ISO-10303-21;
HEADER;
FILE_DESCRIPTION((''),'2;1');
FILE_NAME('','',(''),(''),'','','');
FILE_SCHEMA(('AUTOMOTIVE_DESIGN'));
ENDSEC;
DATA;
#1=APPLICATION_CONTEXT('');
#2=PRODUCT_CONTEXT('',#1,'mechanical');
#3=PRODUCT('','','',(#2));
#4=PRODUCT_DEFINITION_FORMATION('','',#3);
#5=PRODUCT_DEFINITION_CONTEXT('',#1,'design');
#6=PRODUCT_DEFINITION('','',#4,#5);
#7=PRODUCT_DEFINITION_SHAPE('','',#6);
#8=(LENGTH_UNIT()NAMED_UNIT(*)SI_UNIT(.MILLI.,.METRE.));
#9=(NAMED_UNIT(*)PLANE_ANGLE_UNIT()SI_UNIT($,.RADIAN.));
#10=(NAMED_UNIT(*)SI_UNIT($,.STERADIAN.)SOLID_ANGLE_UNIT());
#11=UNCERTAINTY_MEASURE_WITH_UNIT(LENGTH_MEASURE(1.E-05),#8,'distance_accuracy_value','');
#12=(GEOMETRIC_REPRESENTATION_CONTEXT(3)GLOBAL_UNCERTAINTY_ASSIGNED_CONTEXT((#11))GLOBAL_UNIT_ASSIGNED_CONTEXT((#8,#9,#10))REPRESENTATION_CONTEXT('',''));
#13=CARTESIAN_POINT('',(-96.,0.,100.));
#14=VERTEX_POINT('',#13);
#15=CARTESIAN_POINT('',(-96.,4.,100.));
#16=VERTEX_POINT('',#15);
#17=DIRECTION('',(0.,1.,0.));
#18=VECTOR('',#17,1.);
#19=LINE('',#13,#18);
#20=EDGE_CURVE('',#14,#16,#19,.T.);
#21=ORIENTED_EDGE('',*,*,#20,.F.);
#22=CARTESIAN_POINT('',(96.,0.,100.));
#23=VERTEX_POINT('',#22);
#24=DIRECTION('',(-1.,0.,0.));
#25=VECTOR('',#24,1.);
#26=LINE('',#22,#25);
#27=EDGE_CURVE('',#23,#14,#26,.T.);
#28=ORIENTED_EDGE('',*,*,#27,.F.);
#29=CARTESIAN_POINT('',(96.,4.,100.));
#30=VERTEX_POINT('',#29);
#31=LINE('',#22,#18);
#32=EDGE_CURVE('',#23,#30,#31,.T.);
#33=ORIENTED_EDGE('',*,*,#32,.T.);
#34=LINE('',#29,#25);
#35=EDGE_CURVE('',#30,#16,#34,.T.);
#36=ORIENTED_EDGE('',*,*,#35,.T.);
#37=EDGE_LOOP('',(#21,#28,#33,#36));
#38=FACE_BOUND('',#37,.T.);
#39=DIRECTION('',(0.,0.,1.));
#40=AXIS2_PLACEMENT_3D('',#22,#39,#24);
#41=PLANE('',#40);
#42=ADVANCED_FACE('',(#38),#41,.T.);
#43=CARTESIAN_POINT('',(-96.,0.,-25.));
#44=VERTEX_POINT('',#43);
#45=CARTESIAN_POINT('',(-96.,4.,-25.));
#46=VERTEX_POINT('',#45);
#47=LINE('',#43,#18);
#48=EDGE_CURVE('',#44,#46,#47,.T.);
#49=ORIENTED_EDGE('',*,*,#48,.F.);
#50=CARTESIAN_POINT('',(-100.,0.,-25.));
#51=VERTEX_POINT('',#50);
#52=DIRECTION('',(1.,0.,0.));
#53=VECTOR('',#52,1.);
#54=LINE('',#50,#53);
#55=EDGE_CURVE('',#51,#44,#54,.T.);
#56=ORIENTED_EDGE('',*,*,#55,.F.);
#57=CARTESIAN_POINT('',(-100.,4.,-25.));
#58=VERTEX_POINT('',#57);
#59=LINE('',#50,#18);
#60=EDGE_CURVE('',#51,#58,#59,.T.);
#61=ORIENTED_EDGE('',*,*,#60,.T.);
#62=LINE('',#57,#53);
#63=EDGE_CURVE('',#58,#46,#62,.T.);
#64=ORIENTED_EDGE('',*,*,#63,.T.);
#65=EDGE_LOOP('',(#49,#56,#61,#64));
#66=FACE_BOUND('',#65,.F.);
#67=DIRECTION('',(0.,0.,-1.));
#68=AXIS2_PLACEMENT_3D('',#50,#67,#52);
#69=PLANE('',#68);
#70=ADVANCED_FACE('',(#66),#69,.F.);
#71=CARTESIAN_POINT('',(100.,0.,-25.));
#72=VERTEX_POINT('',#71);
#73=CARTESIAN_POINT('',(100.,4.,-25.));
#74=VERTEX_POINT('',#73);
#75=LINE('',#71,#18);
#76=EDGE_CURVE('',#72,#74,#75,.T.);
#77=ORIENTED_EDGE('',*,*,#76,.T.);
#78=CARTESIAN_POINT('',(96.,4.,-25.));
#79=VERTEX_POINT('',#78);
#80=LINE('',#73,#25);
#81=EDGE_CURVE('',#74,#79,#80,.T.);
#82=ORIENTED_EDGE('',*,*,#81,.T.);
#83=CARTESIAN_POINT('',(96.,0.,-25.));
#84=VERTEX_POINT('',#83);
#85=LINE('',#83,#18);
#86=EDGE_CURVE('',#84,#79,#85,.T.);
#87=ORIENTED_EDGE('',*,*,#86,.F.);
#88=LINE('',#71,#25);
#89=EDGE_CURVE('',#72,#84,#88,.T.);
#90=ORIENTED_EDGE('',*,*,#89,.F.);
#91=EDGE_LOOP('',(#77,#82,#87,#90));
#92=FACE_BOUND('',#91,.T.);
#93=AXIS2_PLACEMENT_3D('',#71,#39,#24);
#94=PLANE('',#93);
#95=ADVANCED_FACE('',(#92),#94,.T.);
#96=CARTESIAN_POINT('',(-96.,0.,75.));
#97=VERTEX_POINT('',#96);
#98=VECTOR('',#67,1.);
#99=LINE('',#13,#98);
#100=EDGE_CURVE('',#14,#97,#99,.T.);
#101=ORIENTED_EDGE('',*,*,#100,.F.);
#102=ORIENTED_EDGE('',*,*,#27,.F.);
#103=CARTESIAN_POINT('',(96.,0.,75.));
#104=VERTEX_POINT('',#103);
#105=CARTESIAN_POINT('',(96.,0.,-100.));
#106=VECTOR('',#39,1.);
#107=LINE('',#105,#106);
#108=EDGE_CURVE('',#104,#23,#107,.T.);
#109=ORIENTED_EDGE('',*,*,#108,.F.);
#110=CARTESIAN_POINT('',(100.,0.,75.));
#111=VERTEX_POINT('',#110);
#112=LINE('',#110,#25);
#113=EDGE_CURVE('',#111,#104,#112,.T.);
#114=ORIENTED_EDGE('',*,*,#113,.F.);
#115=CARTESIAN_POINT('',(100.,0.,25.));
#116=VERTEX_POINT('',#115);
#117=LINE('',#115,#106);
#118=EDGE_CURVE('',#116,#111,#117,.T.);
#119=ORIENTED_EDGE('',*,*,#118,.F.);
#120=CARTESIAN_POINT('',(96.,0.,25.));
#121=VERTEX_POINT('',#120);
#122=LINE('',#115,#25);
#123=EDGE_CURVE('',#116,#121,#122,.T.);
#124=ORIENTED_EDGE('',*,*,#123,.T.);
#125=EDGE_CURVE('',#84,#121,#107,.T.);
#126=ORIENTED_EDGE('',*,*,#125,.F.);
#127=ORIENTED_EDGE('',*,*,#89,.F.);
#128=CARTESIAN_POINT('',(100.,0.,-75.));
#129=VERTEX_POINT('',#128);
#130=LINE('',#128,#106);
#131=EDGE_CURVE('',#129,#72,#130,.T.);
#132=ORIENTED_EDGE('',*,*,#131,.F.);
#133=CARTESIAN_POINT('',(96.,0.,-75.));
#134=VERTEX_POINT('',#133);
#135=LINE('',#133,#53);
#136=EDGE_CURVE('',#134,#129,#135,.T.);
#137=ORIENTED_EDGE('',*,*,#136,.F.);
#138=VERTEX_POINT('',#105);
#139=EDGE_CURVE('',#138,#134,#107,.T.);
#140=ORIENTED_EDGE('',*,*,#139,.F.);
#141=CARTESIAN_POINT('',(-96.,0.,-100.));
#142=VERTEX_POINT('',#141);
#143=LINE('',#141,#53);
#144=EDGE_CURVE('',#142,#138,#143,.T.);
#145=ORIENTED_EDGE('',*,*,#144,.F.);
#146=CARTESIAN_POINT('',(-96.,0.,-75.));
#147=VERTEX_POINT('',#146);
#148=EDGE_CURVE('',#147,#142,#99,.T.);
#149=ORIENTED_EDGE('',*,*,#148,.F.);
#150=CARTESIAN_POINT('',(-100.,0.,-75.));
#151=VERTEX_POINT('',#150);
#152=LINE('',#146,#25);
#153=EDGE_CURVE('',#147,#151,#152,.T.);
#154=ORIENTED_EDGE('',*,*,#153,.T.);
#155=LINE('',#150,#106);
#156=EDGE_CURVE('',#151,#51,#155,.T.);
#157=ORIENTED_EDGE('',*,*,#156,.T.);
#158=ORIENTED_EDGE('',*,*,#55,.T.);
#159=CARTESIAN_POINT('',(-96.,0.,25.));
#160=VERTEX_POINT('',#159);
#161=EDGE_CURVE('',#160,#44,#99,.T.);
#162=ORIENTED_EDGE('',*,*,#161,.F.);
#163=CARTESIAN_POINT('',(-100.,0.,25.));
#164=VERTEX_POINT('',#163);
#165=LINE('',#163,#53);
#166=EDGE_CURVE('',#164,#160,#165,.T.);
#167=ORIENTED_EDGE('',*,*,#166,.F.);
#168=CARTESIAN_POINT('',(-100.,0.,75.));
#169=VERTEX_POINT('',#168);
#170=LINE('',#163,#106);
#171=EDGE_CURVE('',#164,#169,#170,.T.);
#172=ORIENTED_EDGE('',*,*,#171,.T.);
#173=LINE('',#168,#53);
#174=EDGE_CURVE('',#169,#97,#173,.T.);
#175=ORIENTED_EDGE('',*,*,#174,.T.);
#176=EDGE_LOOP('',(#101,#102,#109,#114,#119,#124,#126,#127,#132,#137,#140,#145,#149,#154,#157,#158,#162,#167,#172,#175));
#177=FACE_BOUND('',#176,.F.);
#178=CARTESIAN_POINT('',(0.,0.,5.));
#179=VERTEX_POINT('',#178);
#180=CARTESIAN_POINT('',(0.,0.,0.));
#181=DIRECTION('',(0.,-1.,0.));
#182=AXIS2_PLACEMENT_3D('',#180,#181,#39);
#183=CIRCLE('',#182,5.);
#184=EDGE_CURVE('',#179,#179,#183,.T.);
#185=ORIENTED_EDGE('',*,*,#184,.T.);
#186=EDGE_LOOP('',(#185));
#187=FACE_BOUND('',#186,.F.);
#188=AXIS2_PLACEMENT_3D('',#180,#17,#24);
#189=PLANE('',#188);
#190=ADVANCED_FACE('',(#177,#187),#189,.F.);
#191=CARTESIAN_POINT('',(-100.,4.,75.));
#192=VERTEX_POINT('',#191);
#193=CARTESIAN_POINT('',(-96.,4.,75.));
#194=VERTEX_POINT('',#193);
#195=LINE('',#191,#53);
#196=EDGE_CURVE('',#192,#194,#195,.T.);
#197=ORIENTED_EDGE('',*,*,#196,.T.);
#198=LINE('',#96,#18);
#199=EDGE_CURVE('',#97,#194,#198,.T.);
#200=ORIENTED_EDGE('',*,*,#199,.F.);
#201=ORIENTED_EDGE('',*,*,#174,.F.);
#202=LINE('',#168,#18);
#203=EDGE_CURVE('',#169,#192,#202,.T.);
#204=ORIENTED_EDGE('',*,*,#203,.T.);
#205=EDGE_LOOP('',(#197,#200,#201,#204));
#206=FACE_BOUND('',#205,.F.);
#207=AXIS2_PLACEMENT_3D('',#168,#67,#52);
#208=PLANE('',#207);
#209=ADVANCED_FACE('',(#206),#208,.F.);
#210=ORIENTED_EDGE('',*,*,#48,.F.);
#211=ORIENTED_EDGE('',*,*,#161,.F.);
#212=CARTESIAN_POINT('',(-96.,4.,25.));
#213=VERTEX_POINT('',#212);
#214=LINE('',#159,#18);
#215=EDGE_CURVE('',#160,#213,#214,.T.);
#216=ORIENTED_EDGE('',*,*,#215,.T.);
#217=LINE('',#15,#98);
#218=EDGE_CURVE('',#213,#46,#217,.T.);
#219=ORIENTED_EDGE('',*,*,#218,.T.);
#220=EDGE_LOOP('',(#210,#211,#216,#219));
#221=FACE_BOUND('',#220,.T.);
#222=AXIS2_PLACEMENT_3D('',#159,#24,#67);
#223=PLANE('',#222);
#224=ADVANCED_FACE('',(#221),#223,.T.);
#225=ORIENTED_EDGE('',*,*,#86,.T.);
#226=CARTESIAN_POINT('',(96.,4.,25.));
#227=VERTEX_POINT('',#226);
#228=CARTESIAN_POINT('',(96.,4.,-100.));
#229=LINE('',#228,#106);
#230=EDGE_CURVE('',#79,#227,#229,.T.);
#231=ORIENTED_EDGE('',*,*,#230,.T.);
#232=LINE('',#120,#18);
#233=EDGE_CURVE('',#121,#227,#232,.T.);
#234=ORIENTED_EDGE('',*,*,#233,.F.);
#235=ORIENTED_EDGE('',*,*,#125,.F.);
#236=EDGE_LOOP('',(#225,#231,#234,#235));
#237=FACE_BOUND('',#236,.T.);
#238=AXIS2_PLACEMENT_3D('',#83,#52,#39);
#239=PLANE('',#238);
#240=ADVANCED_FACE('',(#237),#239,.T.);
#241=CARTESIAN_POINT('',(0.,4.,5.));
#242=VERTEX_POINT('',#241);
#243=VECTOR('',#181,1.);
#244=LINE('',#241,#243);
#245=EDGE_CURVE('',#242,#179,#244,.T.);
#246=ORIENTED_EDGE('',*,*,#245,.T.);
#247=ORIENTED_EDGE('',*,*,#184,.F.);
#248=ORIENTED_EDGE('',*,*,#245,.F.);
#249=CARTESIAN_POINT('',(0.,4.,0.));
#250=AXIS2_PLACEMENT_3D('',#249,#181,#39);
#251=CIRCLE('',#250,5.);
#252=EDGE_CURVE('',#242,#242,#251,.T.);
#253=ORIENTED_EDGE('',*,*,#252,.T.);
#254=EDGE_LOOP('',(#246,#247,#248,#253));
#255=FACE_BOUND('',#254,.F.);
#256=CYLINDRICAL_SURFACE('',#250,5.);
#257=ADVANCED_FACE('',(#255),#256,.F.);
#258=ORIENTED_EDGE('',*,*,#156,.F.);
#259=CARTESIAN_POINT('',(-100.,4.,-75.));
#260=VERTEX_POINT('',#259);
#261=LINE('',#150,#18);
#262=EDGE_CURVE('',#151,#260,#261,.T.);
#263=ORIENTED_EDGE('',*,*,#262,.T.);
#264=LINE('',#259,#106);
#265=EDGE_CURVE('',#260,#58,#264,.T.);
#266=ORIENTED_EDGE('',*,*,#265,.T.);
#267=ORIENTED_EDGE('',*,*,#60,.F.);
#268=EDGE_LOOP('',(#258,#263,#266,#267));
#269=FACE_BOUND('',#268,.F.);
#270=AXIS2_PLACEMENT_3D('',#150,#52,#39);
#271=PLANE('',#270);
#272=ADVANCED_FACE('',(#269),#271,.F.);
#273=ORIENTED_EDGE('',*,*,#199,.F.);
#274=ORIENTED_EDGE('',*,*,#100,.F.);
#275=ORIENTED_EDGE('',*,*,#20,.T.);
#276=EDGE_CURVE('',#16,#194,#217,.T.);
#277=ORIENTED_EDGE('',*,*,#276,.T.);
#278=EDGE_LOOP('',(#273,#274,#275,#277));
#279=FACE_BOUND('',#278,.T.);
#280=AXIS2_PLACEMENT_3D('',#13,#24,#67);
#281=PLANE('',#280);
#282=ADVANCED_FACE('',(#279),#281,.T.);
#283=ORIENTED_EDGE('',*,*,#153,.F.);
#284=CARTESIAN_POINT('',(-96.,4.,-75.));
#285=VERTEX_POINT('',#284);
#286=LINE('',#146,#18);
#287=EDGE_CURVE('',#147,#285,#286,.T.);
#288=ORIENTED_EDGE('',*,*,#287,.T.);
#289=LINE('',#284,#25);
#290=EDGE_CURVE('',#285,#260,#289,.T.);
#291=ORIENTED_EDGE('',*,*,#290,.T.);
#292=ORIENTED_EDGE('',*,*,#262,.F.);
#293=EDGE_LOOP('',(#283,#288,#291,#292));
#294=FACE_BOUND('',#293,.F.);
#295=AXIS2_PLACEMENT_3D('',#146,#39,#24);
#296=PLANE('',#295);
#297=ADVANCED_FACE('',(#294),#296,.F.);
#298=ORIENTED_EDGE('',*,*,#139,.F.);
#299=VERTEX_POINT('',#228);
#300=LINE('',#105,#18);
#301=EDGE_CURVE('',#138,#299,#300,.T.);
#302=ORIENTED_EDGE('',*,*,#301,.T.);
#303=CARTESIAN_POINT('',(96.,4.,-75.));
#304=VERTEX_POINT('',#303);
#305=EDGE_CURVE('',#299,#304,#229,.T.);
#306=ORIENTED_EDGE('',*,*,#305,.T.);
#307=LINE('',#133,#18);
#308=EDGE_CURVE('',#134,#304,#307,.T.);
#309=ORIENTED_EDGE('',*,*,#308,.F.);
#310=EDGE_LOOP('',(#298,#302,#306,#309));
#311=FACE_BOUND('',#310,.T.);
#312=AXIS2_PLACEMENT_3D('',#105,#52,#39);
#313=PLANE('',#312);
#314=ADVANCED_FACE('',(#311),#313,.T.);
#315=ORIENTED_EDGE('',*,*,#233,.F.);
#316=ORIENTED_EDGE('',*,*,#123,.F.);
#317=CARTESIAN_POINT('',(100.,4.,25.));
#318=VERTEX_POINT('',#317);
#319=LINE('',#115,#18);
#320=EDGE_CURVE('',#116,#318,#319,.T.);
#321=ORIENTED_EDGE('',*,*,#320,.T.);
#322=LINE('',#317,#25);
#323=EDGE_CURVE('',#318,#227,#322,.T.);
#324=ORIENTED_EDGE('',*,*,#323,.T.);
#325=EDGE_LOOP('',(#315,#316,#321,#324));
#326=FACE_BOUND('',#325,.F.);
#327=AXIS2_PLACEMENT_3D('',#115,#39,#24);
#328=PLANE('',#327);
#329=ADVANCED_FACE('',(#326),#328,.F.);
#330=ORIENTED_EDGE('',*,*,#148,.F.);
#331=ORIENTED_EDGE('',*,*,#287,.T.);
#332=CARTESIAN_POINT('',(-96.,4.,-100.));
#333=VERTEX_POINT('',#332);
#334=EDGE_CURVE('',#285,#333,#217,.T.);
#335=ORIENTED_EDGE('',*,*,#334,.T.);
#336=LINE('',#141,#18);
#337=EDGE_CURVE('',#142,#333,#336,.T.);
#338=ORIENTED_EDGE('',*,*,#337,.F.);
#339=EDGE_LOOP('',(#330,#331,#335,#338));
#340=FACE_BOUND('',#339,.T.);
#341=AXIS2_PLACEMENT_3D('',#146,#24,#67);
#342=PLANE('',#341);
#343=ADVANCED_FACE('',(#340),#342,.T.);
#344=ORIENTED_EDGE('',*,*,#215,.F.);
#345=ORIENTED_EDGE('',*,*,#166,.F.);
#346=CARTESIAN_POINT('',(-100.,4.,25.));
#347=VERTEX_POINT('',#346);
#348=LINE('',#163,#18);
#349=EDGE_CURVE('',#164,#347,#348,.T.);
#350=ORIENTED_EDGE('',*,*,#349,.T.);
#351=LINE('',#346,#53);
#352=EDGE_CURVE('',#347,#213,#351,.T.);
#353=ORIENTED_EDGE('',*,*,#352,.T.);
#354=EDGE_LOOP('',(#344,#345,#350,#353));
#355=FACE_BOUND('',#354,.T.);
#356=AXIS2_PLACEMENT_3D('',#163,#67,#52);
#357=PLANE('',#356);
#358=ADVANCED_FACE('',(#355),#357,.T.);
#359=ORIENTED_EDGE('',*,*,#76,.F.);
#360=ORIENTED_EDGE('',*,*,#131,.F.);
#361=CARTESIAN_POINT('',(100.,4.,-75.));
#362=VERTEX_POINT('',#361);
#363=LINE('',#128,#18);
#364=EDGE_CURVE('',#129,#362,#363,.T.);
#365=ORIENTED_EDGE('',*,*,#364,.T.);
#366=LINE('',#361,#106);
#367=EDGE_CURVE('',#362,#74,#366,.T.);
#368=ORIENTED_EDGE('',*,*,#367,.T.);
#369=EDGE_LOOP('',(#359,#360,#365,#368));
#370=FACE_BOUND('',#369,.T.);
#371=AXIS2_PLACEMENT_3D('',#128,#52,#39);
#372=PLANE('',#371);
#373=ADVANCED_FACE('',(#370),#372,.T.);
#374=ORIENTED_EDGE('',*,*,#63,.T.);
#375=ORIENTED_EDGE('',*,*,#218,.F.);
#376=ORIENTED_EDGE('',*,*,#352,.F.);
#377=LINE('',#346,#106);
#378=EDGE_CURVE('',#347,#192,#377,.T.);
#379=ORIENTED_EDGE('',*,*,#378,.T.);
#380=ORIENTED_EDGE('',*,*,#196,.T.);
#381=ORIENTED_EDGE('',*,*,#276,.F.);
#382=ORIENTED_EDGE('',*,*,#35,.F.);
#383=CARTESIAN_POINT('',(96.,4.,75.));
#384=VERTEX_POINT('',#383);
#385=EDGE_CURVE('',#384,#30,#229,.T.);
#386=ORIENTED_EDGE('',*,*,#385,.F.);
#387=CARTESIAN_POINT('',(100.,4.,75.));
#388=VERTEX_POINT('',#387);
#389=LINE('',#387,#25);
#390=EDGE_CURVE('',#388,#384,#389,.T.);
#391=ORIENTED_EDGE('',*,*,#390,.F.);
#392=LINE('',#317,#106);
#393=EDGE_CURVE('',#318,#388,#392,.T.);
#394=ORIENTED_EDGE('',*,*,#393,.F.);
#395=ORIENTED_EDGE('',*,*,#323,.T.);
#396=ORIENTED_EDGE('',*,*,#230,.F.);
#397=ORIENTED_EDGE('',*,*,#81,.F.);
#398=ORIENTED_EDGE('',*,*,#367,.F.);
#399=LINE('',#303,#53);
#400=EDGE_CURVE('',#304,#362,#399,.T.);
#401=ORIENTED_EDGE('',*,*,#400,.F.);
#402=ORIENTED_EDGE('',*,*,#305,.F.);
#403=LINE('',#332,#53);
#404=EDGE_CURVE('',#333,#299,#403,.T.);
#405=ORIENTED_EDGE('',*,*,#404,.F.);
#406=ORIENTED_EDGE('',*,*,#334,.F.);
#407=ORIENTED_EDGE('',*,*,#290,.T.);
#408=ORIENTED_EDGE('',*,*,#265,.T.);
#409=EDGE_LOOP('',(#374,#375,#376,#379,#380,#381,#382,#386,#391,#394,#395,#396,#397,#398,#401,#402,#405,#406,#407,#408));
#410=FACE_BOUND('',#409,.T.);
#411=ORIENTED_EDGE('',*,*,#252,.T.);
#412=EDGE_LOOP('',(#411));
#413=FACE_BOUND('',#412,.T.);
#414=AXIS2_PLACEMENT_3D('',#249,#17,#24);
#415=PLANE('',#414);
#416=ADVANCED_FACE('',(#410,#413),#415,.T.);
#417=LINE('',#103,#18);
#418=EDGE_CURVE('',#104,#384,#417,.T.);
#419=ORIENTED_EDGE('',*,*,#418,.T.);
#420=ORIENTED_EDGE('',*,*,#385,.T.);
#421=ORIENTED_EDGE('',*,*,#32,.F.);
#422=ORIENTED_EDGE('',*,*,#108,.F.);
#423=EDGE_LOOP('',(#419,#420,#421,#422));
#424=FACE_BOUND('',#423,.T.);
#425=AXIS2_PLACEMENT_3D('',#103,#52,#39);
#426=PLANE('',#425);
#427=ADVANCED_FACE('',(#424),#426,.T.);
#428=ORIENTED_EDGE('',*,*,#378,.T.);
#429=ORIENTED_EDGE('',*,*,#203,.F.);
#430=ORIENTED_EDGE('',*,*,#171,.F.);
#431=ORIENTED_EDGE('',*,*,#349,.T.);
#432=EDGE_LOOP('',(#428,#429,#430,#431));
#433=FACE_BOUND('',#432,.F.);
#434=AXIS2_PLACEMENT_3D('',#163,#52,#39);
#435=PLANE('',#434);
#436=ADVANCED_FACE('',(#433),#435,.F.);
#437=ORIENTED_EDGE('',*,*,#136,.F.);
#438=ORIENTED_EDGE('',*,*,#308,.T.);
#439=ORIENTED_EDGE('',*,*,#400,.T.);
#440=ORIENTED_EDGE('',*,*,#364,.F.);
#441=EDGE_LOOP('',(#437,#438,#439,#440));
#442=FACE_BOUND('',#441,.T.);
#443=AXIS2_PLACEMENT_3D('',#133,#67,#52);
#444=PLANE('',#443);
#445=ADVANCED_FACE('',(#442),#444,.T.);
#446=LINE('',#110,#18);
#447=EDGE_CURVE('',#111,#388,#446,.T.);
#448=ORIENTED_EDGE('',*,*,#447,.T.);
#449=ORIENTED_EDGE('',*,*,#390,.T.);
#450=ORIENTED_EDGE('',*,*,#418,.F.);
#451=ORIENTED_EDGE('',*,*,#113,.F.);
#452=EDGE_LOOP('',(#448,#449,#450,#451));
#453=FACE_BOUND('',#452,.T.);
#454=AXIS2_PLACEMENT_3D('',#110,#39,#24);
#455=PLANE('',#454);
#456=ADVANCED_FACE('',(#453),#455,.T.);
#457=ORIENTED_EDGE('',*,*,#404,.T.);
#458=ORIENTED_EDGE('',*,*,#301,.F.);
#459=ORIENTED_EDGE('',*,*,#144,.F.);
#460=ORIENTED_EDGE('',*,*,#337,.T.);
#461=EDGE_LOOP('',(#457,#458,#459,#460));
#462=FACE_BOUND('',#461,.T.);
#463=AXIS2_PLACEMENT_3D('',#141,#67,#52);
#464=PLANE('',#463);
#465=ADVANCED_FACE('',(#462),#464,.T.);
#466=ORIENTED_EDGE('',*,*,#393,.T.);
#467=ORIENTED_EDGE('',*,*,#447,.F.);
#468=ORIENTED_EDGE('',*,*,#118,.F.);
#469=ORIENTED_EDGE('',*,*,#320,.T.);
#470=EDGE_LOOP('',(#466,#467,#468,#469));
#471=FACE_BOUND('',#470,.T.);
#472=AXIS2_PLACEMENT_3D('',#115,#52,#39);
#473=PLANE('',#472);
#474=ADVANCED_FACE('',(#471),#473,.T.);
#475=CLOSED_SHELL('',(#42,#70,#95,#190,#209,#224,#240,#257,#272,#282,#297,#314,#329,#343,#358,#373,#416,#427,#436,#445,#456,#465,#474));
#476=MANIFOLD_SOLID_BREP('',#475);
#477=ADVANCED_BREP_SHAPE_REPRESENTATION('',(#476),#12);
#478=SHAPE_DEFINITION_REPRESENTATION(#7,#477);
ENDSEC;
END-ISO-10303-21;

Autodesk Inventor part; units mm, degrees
ref_plane "YZ Plane" through (0, 0, 0) normal (1, 0, 0) x (0, 1, 0)
ref_plane "XZ Plane" through (0, 0, 0) normal (0, 1, 0) x (-1, 0, 0)
ref_plane "XY Plane" through (0, 0, 0) normal (0, 0, 1) x (1, 0, 0)
sketch "Sketch1" plane through (0, 0, 0) normal (0, 1, 0) x (-1, 0, 0)
  line L0 (96, -100) -> (-96, -100)
  line L1 (-96, -100) -> (-96, 100)
  line L2 (-96, 100) -> (96, 100)
  line L3 (96, 100) -> (96, -100)
  line L4 (96, -100) -> (-96, 100) construction
  line L5 (-96, -100) -> (96, 100) construction
  line L6 (96, -75) -> (100, -75)
  line L7 (100, -75) -> (100, -25)
  line L8 (100, -25) -> (96, -25)
  line L9 (96, -25) -> (96, -75)
  line L10 (96, -25) -> (100, -25)
  line L11 (100, -25) -> (100, 25)
  line L12 (100, 25) -> (96, 25)
  line L13 (96, 25) -> (96, -25)
  line L14 (96, 25) -> (100, 25)
  line L15 (100, 25) -> (100, 75)
  line L16 (100, 75) -> (96, 75)
  line L17 (96, 75) -> (96, 25)
  line L18 (-96, -75) -> (-100, -75)
  line L19 (-100, -75) -> (-100, -25)
  line L20 (-100, -25) -> (-96, -25)
  line L21 (-96, -25) -> (-96, -75)
  line L22 (-96, -25) -> (-100, -25)
  line L23 (-100, -25) -> (-100, 25)
  line L24 (-100, 25) -> (-96, 25)
  line L25 (-96, 25) -> (-96, -25)
  line L26 (-96, 25) -> (-100, 25)
  line L27 (-100, 25) -> (-100, 75)
  line L28 (-100, 75) -> (-96, 75)
  line L29 (-96, 75) -> (-96, 25)
  point P0 (0, 0)
  point P1 (98, -75)
  point P2 (-98, -75)
  dimension "d0" = 192
  dimension "d1" = 200
  dimension "d2" = 4
  dimension "d3" = 50
  dimension "d4" = 4
  dimension "d5" = 50
  dimension "d6" = 4
  dimension "d7" = 50
  dimension "d8" = 4
  dimension "d9" = 50
  dimension "d10" = 4
  dimension "d11" = 50
  dimension "d12" = 4
  dimension "d13" = 50
  dimension "d14" = 25
  dimension "d15" = 25
extrude "Extrusion1" add sketch "Sketch1" along normal blind 4 contours L0 L1 L2 L3 | L3 L8 L7 L6 | L18 L19 L20 L1 | L3 L16 L15 L12 | L24 L27 L28 L1
sketch "Sketch2" plane through (0, 4, 0) normal (0, 1, 0) x (1, 0, 0)
  line L0 (-96, -100) -> (96, -100) construction
  line L1 (96, 100) -> (-96, 100) construction
  line L2 (-96, -100) -> (96, 100) construction
  point P0 (0, 0)
hole "Hole1" at (0, 4, 0) direction (0, -1, 0) diameter 10 depth 4 tip angle 118
properties part number "ControlPanelPlate_V1-01"
